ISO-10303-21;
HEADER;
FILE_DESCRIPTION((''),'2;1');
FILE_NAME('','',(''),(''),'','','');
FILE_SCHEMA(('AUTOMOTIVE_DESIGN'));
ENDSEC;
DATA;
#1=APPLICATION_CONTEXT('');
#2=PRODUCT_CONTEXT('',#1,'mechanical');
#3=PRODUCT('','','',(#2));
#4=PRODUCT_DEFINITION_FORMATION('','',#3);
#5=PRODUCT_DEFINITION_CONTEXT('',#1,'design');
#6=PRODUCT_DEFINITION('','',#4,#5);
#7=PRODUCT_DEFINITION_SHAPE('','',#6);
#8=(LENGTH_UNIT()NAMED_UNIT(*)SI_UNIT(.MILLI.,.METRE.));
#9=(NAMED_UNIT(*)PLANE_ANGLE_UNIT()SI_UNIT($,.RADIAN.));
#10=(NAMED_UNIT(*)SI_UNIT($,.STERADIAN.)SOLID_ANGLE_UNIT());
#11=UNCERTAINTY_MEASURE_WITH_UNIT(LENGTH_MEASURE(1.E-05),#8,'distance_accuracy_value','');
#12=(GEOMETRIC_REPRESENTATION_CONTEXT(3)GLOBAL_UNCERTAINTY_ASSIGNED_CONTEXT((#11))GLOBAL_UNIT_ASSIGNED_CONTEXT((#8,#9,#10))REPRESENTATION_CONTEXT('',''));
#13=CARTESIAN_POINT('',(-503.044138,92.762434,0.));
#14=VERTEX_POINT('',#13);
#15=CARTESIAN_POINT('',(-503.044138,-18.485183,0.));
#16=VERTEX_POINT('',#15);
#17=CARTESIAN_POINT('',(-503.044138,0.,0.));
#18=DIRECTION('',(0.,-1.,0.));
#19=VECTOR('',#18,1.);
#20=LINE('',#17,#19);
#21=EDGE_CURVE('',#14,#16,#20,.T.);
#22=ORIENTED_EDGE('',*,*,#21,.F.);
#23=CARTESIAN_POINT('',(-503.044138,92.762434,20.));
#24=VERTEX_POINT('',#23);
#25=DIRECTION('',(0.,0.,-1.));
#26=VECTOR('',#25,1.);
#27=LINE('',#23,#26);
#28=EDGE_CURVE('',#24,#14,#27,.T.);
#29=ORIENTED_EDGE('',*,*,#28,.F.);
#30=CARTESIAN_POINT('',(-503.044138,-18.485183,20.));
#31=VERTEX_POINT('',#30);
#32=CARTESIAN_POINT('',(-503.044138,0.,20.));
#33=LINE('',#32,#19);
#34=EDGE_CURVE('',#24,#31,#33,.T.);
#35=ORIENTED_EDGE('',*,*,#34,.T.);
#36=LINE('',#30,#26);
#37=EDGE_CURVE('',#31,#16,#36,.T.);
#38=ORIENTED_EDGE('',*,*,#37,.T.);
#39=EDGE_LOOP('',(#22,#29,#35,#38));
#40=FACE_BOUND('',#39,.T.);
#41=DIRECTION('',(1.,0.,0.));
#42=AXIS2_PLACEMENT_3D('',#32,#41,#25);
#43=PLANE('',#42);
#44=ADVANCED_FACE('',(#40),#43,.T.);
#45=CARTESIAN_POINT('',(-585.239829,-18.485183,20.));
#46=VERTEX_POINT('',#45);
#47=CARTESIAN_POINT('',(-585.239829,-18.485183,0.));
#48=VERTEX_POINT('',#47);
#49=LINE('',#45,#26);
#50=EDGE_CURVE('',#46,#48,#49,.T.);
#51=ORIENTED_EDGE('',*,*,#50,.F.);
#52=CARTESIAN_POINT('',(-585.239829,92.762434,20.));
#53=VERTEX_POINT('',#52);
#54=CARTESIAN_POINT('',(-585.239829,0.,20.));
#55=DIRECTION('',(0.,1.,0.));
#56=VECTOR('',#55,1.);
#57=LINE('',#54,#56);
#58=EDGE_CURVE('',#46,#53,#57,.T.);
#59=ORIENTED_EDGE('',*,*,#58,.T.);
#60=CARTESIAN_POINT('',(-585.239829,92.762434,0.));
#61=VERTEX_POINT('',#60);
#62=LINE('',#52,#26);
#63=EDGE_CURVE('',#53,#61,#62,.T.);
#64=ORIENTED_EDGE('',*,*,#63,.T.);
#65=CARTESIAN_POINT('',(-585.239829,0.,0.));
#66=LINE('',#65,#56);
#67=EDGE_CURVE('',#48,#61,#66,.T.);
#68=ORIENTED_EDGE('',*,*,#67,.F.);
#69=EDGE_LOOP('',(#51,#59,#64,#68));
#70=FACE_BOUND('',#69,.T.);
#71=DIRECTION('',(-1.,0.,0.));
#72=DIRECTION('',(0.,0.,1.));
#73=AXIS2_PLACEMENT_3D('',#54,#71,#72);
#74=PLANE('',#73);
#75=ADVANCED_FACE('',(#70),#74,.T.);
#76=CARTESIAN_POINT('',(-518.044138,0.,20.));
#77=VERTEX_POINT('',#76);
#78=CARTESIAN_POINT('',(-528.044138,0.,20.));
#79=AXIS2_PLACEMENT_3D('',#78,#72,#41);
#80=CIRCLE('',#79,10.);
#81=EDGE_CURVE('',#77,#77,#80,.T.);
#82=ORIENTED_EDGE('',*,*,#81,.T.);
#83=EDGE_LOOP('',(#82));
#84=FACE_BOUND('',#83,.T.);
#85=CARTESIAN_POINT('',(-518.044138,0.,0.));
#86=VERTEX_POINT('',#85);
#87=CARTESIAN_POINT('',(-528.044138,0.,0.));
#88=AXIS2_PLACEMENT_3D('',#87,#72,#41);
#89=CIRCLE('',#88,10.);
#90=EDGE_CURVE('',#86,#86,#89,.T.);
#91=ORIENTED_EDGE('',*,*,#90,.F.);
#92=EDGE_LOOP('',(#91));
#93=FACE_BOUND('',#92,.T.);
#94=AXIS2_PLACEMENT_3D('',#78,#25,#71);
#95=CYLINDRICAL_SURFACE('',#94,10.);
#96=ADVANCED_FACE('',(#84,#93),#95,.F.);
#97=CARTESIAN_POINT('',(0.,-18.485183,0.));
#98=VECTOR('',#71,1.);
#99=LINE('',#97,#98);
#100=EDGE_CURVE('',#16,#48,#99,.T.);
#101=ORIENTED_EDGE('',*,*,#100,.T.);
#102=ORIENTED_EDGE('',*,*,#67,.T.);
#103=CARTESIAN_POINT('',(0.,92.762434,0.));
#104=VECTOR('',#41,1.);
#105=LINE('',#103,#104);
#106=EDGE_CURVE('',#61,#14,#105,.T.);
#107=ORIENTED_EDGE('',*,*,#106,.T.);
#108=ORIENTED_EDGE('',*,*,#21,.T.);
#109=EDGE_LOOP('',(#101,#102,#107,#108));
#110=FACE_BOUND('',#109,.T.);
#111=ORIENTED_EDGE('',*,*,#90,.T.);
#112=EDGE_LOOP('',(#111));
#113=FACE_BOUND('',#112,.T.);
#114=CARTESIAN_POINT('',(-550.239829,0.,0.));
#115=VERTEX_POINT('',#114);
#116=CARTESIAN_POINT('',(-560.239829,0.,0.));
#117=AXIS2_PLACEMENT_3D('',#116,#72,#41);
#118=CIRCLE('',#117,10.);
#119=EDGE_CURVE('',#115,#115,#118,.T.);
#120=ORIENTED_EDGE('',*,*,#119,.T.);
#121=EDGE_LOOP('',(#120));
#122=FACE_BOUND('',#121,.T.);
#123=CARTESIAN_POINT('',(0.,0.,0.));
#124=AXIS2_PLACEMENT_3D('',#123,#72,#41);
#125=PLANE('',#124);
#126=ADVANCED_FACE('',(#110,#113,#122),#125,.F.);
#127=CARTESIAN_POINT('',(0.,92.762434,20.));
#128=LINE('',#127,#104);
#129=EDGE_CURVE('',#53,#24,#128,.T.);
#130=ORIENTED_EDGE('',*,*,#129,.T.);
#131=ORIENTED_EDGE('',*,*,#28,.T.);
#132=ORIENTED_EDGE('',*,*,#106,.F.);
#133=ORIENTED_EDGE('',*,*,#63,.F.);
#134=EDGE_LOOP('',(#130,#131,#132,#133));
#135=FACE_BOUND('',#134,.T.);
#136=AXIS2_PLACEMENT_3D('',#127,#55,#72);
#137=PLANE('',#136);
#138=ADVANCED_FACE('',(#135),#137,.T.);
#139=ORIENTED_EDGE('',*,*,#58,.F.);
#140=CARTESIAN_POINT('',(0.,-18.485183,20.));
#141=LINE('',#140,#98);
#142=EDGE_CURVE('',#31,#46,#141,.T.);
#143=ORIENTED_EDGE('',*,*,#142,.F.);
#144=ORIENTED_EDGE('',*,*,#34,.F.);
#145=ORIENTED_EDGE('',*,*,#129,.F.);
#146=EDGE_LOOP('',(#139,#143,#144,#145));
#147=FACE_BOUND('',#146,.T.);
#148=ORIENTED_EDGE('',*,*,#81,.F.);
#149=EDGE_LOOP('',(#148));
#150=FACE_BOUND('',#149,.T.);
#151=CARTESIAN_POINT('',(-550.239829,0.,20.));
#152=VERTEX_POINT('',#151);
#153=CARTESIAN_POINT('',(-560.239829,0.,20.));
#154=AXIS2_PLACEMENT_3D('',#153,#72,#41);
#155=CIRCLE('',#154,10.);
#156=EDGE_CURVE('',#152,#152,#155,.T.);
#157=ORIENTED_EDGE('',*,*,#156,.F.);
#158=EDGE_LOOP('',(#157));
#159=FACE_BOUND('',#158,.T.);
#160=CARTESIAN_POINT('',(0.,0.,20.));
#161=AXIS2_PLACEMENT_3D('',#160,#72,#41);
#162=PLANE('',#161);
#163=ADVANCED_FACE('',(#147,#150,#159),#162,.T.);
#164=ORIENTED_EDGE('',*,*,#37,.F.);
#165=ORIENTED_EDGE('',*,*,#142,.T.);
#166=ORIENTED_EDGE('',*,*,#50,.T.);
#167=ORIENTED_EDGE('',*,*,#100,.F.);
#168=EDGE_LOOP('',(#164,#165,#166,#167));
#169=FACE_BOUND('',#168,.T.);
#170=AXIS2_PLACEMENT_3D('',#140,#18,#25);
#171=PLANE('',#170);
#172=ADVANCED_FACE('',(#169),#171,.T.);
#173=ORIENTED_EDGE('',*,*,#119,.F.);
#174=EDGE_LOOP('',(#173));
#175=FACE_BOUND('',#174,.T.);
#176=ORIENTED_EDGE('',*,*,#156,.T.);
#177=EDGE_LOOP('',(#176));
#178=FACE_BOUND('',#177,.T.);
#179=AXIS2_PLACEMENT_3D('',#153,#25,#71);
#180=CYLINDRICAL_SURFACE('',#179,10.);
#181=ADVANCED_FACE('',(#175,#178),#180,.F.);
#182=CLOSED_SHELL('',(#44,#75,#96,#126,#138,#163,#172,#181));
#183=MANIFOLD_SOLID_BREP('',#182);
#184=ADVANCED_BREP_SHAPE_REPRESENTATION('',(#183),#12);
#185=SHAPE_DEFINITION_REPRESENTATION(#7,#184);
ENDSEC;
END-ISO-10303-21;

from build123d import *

# Parameters (mm, degrees)
SKETCH1_W           = 82.19569128
SKETCH1_H           = 111.247616646
SKETCH1_R           = 10
BOSS_EXTRUDE2_DEPTH = 20


with BuildPart() as part:
    # Sketch1 → Boss-Extrude2 (new body)
    with BuildSketch(Plane.XY):
        with Locations((-544.141983558, 37.138625296)):
            Rectangle(SKETCH1_W, SKETCH1_H)
        with Locations((-528.044137918, 0)):
            Circle(SKETCH1_R, mode=Mode.SUBTRACT)
        with Locations((-560.239829198, 0)):
            Circle(SKETCH1_R, mode=Mode.SUBTRACT)
    extrude(amount=BOSS_EXTRUDE2_DEPTH)


solid = part.part
